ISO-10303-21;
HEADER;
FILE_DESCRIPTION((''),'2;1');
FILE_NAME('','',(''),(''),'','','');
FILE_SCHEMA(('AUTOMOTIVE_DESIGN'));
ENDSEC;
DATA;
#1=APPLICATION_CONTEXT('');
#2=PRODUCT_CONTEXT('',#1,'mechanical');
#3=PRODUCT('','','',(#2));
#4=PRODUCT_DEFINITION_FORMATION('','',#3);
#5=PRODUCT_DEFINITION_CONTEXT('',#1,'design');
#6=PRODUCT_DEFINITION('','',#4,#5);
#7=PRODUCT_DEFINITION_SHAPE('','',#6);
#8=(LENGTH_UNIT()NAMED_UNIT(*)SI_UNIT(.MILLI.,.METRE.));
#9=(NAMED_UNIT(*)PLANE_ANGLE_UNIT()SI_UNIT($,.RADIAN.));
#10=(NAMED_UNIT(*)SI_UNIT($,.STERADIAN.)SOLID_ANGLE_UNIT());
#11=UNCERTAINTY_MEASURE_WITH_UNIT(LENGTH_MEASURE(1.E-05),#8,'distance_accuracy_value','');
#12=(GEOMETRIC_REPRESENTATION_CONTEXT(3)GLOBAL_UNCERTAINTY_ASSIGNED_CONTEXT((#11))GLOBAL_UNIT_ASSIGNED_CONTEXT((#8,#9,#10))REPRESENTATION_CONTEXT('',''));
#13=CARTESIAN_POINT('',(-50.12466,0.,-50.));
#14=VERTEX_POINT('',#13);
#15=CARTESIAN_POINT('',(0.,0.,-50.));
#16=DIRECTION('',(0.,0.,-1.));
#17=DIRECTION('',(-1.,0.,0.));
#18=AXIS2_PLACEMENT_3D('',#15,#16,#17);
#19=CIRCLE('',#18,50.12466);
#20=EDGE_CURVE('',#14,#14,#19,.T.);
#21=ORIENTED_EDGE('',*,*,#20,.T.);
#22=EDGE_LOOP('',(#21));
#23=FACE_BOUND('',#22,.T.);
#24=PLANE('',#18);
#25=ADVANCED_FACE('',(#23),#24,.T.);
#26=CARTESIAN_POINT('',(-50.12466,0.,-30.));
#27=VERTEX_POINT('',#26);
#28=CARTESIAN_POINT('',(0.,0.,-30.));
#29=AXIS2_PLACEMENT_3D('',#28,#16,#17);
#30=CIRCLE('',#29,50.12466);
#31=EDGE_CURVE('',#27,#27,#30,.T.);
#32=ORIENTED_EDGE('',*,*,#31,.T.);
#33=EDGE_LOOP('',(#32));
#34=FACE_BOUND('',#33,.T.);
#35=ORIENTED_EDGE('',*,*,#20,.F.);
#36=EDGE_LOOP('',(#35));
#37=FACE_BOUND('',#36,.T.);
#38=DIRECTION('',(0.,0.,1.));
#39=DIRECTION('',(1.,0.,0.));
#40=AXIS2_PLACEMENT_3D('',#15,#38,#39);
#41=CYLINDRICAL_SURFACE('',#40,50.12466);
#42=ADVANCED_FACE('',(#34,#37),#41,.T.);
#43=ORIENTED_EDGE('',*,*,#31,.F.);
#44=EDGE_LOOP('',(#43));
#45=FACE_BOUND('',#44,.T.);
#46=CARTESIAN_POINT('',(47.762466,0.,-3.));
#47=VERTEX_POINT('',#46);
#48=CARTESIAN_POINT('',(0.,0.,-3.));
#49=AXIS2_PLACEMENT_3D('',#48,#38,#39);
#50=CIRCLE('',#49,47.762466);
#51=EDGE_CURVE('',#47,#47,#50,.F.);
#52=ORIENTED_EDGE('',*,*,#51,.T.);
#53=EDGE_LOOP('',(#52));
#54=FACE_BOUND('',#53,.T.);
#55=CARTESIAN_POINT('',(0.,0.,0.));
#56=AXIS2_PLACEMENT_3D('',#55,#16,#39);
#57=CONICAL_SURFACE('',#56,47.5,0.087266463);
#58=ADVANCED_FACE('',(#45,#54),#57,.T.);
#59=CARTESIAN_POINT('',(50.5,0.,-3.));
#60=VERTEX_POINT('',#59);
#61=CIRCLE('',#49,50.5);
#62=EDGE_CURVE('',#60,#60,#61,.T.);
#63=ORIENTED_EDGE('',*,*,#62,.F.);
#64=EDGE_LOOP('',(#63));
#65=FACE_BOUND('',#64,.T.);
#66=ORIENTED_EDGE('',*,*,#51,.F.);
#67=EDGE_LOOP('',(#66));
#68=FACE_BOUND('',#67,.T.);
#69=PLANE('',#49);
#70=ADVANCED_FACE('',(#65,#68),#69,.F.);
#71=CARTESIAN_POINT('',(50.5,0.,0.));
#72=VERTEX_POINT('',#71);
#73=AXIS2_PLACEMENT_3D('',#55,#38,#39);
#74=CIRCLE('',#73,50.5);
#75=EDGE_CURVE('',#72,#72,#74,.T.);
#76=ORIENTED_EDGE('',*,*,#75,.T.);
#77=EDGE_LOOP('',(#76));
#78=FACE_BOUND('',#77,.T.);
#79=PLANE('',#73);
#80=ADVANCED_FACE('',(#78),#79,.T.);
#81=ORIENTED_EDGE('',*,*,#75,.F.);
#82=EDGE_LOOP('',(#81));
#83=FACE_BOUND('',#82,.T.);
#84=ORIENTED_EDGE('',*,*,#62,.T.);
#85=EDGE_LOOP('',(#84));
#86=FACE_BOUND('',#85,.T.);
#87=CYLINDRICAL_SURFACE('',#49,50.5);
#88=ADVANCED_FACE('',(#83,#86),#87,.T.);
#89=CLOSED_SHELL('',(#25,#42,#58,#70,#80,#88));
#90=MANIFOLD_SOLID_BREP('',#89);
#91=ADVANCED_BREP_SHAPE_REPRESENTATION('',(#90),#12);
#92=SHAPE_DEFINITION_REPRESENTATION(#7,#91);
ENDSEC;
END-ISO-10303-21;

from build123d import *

# Parameters (mm, degrees)
SKETCH1_R           = 47.5
BOSS_EXTRUDE1_DEPTH = 30
BOSS_EXTRUDE1_DRAFT = 5
SKETCH1_3_R         = 50.5
BOSS_EXTRUDE2_DEPTH = 3
SKETCH2_R           = 50.124659906
BOSS_EXTRUDE3_DEPTH = 20


with BuildPart() as part:
    # Sketch1 → Boss-Extrude1 (with draft: the straight prism first)
    with BuildSketch(Plane.XY):
        Circle(SKETCH1_R)
    extrude(amount=-BOSS_EXTRUDE1_DEPTH)
    # Boss-Extrude1: the draft: its side faces are tilted about the plane it starts from
    boss_extrude1_sides = [part.faces().sort_by_distance(p)[0] for p in [
        (-47.5, 0, -15),
    ]]
    draft(boss_extrude1_sides, Plane.XY, BOSS_EXTRUDE1_DRAFT)

    # Sketch1<3> → Boss-Extrude2 (add)
    with BuildSketch(Plane.XY):
        Circle(SKETCH1_3_R)
    extrude(amount=-BOSS_EXTRUDE2_DEPTH)

    # Sketch2 → Boss-Extrude3 (add)
    with BuildSketch(Plane(origin=(0, 0, -30), x_dir=(-1, 0, 0), z_dir=(0, 0, -1))):
        Circle(SKETCH2_R)
    extrude(amount=BOSS_EXTRUDE3_DEPTH)


solid = part.part
